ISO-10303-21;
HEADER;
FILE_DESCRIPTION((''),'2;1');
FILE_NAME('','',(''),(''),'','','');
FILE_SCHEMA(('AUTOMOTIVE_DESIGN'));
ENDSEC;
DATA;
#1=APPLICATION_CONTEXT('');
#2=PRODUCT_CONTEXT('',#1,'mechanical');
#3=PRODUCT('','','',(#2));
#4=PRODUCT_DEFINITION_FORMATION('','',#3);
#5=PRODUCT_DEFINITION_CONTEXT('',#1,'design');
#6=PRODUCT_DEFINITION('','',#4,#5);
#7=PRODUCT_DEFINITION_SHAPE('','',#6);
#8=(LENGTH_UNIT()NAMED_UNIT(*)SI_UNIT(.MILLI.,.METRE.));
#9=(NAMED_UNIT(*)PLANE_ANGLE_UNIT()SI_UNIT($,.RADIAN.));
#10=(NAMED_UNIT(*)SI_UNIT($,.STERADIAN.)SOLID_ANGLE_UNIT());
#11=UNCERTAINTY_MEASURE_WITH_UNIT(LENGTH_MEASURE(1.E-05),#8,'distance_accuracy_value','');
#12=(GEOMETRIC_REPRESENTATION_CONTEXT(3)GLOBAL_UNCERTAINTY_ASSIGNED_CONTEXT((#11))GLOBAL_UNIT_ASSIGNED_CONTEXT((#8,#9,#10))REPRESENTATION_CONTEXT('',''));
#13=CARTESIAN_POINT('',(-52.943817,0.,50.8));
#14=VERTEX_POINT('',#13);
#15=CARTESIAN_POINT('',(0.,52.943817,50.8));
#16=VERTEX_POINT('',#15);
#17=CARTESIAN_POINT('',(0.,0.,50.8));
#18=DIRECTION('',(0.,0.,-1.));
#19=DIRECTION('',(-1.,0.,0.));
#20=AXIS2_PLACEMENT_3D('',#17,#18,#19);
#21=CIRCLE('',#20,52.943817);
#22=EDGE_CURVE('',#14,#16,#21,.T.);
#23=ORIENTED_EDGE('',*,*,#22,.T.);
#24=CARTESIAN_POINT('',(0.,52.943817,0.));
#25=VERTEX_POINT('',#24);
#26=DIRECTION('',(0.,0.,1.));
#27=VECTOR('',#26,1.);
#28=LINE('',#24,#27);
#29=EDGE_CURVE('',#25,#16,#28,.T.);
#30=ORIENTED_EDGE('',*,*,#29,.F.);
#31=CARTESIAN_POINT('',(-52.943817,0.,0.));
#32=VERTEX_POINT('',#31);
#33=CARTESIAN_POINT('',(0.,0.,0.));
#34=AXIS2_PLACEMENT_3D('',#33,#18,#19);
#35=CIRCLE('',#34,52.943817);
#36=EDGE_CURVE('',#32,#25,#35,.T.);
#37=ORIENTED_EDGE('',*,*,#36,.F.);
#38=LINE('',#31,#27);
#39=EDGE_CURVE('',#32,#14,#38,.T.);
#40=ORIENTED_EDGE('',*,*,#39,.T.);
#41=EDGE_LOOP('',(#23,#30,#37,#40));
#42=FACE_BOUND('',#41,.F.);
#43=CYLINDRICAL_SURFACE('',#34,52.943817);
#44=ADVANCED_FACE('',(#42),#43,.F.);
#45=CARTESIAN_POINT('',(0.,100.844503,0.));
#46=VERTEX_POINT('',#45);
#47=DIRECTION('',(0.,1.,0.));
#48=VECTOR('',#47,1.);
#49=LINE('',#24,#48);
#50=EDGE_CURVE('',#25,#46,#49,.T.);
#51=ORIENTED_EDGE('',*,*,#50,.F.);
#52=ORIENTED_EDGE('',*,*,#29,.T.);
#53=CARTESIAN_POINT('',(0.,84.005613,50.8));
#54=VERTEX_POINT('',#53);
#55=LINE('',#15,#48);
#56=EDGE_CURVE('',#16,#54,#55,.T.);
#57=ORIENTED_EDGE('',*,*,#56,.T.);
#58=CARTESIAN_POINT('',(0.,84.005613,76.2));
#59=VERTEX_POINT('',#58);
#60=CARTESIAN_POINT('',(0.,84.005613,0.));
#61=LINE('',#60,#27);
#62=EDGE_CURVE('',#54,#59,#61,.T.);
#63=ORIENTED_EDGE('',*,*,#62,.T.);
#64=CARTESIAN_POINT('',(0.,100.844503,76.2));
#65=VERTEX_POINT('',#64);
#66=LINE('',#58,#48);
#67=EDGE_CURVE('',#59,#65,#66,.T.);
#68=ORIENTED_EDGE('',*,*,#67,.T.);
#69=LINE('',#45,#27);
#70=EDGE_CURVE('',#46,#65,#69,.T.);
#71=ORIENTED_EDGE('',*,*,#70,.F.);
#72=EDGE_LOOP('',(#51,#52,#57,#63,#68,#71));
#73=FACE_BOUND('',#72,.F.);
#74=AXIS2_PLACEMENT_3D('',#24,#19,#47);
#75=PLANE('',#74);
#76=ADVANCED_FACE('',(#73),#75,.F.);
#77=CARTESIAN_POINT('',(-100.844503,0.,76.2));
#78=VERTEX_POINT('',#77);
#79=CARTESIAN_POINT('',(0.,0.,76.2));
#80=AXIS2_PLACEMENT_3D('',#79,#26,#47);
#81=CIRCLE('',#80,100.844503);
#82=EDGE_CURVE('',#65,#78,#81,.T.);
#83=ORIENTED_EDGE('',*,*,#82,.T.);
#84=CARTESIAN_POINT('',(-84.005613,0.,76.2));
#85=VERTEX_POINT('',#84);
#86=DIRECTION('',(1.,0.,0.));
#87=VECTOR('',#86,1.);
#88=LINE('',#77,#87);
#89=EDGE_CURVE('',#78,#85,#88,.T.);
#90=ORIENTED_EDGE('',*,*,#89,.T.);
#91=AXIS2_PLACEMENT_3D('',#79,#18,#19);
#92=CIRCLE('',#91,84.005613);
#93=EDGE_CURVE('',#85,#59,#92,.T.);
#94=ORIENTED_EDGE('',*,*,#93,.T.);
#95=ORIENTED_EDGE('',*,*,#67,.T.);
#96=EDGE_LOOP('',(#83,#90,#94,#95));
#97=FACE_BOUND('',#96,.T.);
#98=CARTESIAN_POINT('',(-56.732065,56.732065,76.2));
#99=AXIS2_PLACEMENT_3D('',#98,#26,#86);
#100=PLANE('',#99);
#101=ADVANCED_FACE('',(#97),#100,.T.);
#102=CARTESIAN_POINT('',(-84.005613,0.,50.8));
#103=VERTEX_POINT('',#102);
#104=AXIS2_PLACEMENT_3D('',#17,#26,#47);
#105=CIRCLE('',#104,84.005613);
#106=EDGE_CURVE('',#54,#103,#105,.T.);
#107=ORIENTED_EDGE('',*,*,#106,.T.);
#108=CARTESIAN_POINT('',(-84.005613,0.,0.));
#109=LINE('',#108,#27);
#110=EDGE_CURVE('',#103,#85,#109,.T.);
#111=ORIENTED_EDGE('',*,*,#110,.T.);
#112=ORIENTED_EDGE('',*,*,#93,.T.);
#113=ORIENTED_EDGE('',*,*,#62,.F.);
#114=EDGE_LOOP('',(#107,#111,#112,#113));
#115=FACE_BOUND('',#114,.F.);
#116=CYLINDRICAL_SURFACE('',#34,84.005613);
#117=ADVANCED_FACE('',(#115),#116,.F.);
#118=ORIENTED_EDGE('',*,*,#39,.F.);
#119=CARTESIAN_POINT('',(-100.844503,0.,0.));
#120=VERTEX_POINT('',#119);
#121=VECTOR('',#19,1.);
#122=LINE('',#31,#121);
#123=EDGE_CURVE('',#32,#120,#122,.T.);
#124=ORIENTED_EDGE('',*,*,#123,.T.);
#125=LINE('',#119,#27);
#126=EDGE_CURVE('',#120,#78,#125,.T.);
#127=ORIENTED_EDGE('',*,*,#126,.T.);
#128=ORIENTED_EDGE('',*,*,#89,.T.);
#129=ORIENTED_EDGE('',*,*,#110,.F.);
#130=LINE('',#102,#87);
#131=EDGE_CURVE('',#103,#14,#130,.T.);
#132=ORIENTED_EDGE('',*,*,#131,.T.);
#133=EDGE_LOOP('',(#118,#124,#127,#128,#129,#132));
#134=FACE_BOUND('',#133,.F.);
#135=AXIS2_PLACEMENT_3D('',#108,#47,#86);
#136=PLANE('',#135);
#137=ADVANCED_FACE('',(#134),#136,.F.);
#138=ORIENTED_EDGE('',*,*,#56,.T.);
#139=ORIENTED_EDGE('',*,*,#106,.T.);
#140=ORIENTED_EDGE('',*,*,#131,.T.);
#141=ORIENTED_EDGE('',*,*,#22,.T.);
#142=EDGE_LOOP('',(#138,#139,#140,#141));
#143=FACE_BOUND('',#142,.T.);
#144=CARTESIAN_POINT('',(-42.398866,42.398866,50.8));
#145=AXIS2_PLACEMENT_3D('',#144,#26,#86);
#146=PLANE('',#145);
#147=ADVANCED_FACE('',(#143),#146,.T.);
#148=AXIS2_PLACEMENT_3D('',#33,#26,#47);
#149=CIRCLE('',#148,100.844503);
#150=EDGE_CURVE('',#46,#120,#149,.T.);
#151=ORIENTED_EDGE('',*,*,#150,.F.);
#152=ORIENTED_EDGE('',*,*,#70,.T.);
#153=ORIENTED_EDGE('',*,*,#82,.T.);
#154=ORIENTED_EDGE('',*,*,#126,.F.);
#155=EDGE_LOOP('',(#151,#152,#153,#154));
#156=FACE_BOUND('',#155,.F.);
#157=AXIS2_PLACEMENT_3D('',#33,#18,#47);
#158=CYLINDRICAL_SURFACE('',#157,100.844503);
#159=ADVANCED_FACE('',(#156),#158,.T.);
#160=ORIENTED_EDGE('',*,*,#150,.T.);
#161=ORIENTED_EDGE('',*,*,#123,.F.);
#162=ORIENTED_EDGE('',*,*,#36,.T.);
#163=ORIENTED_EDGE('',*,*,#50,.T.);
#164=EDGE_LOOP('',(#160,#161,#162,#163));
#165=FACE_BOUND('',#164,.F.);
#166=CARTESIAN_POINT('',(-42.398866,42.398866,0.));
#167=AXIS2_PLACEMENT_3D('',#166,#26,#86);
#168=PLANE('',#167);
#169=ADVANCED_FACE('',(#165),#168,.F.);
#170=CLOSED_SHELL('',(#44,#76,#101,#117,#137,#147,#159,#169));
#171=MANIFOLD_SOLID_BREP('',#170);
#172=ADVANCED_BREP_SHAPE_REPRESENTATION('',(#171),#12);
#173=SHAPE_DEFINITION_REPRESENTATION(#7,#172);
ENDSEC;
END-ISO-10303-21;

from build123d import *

# Parameters (mm, degrees)
F1_DEPTH = 76.2
F2_DEPTH = 50.8


with BuildPart() as f1:
    # F0 (on Top) → F1 (new body)
    with BuildSketch(Plane.XY):
        with BuildLine():
            Line((0, 84.0056133164), (0, 100.8445028668))
            ThreePointArc((0, 100.8445028668), (-71.3078318225, 71.3078318225), (-100.8445028668, 0))
            Line((-100.8445028668, 0), (-84.0056133164, 0))
            ThreePointArc((-84.0056133164, 0), (-59.4009388338, 59.4009388338), (0, 84.0056133164))
        make_face()
    extrude(amount=F1_DEPTH)

    # F0 (on Top) → F2 (join)
    with BuildSketch(Plane.XY):
        with BuildLine():
            Line((0, 52.9438169528), (0, 84.0056133164))
            ThreePointArc((0, 84.0056133164), (-59.4009388338, 59.4009388338), (-84.0056133164, 0))
            Line((-84.0056133164, 0), (-52.9438169528, 0))
            ThreePointArc((-52.9438169528, 0), (-37.4369319892, 37.4369319892), (0, 52.9438169528))
        make_face()
    extrude(amount=F2_DEPTH)


solid = f1.part
